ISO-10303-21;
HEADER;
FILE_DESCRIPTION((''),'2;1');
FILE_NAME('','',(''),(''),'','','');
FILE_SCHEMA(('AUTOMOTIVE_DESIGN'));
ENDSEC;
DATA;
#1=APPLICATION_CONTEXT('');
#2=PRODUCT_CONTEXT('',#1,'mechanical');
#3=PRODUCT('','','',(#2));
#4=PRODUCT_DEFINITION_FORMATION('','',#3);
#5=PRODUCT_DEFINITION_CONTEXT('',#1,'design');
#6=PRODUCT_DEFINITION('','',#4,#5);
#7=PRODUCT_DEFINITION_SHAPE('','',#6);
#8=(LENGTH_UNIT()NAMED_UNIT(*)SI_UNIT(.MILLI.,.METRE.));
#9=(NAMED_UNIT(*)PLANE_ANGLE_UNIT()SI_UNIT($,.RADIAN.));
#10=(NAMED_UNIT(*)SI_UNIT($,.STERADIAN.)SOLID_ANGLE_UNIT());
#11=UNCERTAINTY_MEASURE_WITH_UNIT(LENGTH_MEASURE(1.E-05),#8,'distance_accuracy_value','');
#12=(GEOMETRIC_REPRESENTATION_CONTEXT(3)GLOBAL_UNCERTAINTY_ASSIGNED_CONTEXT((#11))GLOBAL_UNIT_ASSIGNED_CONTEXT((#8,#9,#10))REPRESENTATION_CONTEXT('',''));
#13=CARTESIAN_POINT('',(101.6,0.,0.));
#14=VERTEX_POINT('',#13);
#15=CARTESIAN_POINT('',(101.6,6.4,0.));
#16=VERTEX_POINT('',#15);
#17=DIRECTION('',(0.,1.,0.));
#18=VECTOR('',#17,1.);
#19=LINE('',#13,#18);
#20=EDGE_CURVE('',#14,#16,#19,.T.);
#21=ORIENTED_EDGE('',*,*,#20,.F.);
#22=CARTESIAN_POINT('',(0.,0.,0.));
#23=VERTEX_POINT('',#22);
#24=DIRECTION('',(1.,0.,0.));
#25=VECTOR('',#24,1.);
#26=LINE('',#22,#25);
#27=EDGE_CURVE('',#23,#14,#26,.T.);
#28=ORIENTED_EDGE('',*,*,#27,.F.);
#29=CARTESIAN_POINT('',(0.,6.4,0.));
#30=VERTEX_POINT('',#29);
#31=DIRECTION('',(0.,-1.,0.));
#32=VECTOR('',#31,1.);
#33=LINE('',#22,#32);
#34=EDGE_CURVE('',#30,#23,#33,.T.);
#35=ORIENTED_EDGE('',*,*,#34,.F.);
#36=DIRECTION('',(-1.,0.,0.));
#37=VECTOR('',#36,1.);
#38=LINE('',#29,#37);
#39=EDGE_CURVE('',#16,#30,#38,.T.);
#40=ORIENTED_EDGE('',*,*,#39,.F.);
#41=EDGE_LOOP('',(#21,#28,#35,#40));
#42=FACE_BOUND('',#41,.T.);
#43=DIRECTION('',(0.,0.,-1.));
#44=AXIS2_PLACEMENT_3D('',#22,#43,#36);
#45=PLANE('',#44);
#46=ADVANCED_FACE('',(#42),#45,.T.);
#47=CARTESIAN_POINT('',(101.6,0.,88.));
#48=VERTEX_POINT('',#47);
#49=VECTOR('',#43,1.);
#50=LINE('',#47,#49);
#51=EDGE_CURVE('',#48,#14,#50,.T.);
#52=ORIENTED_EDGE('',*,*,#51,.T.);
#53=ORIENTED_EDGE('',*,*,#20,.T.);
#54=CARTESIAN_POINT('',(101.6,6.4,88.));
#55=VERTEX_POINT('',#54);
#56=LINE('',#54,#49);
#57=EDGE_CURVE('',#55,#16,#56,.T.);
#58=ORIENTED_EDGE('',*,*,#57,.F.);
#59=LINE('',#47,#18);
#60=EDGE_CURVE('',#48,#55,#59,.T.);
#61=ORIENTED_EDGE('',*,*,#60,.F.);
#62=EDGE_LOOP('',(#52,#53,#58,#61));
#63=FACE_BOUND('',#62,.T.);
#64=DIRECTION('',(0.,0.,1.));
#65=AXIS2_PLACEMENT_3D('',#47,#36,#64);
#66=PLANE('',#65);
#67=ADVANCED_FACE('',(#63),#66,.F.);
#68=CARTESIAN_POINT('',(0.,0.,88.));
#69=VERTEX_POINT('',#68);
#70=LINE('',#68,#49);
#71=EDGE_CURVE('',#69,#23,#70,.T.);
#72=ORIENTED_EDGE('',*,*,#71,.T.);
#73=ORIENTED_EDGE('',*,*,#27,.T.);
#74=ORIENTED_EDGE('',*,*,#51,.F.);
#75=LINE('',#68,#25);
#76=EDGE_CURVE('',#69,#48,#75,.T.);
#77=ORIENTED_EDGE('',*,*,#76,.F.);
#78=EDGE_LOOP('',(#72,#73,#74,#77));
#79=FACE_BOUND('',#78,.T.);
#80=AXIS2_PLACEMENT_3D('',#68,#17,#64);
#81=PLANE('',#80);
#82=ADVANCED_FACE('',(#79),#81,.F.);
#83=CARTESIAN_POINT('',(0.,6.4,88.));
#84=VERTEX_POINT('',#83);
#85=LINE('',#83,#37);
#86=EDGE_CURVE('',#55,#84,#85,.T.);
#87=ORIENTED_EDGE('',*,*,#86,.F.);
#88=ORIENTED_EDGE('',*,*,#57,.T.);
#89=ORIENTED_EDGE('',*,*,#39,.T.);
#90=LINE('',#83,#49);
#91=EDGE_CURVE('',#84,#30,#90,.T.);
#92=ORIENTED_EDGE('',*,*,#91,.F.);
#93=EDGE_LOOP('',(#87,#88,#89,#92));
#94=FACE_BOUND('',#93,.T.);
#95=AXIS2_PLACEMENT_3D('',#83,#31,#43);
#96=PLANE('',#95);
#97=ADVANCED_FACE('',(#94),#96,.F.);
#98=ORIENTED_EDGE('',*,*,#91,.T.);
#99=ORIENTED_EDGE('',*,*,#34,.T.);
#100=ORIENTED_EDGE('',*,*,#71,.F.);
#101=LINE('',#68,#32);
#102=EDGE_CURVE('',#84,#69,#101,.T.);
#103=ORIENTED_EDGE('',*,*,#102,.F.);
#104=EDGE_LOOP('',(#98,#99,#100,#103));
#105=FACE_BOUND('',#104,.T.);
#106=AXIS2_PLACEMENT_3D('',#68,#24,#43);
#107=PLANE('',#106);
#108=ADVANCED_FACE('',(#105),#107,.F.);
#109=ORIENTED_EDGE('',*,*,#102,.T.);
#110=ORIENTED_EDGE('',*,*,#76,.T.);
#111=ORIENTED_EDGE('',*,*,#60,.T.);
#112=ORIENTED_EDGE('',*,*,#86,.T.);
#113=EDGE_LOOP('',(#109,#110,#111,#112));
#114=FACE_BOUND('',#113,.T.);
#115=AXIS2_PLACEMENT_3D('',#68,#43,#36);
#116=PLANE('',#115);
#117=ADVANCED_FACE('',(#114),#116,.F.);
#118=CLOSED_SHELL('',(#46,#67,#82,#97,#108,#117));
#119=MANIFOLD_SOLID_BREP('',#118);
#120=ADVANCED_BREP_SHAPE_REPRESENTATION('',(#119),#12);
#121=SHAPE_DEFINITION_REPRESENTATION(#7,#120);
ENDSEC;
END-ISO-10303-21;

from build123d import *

# Parameters (mm, degrees)
CROQUIS1_W              = 101.6
CROQUIS1_H              = 6.4
SALIENTE_EXTRUIR2_DEPTH = 88


with BuildPart() as part:
    # Croquis1 → Saliente-Extruir2 (new body)
    with BuildSketch(Plane.XY):
        with Locations((50.8, 3.2)):
            Rectangle(CROQUIS1_W, CROQUIS1_H)
    extrude(amount=SALIENTE_EXTRUIR2_DEPTH)


solid = part.part
